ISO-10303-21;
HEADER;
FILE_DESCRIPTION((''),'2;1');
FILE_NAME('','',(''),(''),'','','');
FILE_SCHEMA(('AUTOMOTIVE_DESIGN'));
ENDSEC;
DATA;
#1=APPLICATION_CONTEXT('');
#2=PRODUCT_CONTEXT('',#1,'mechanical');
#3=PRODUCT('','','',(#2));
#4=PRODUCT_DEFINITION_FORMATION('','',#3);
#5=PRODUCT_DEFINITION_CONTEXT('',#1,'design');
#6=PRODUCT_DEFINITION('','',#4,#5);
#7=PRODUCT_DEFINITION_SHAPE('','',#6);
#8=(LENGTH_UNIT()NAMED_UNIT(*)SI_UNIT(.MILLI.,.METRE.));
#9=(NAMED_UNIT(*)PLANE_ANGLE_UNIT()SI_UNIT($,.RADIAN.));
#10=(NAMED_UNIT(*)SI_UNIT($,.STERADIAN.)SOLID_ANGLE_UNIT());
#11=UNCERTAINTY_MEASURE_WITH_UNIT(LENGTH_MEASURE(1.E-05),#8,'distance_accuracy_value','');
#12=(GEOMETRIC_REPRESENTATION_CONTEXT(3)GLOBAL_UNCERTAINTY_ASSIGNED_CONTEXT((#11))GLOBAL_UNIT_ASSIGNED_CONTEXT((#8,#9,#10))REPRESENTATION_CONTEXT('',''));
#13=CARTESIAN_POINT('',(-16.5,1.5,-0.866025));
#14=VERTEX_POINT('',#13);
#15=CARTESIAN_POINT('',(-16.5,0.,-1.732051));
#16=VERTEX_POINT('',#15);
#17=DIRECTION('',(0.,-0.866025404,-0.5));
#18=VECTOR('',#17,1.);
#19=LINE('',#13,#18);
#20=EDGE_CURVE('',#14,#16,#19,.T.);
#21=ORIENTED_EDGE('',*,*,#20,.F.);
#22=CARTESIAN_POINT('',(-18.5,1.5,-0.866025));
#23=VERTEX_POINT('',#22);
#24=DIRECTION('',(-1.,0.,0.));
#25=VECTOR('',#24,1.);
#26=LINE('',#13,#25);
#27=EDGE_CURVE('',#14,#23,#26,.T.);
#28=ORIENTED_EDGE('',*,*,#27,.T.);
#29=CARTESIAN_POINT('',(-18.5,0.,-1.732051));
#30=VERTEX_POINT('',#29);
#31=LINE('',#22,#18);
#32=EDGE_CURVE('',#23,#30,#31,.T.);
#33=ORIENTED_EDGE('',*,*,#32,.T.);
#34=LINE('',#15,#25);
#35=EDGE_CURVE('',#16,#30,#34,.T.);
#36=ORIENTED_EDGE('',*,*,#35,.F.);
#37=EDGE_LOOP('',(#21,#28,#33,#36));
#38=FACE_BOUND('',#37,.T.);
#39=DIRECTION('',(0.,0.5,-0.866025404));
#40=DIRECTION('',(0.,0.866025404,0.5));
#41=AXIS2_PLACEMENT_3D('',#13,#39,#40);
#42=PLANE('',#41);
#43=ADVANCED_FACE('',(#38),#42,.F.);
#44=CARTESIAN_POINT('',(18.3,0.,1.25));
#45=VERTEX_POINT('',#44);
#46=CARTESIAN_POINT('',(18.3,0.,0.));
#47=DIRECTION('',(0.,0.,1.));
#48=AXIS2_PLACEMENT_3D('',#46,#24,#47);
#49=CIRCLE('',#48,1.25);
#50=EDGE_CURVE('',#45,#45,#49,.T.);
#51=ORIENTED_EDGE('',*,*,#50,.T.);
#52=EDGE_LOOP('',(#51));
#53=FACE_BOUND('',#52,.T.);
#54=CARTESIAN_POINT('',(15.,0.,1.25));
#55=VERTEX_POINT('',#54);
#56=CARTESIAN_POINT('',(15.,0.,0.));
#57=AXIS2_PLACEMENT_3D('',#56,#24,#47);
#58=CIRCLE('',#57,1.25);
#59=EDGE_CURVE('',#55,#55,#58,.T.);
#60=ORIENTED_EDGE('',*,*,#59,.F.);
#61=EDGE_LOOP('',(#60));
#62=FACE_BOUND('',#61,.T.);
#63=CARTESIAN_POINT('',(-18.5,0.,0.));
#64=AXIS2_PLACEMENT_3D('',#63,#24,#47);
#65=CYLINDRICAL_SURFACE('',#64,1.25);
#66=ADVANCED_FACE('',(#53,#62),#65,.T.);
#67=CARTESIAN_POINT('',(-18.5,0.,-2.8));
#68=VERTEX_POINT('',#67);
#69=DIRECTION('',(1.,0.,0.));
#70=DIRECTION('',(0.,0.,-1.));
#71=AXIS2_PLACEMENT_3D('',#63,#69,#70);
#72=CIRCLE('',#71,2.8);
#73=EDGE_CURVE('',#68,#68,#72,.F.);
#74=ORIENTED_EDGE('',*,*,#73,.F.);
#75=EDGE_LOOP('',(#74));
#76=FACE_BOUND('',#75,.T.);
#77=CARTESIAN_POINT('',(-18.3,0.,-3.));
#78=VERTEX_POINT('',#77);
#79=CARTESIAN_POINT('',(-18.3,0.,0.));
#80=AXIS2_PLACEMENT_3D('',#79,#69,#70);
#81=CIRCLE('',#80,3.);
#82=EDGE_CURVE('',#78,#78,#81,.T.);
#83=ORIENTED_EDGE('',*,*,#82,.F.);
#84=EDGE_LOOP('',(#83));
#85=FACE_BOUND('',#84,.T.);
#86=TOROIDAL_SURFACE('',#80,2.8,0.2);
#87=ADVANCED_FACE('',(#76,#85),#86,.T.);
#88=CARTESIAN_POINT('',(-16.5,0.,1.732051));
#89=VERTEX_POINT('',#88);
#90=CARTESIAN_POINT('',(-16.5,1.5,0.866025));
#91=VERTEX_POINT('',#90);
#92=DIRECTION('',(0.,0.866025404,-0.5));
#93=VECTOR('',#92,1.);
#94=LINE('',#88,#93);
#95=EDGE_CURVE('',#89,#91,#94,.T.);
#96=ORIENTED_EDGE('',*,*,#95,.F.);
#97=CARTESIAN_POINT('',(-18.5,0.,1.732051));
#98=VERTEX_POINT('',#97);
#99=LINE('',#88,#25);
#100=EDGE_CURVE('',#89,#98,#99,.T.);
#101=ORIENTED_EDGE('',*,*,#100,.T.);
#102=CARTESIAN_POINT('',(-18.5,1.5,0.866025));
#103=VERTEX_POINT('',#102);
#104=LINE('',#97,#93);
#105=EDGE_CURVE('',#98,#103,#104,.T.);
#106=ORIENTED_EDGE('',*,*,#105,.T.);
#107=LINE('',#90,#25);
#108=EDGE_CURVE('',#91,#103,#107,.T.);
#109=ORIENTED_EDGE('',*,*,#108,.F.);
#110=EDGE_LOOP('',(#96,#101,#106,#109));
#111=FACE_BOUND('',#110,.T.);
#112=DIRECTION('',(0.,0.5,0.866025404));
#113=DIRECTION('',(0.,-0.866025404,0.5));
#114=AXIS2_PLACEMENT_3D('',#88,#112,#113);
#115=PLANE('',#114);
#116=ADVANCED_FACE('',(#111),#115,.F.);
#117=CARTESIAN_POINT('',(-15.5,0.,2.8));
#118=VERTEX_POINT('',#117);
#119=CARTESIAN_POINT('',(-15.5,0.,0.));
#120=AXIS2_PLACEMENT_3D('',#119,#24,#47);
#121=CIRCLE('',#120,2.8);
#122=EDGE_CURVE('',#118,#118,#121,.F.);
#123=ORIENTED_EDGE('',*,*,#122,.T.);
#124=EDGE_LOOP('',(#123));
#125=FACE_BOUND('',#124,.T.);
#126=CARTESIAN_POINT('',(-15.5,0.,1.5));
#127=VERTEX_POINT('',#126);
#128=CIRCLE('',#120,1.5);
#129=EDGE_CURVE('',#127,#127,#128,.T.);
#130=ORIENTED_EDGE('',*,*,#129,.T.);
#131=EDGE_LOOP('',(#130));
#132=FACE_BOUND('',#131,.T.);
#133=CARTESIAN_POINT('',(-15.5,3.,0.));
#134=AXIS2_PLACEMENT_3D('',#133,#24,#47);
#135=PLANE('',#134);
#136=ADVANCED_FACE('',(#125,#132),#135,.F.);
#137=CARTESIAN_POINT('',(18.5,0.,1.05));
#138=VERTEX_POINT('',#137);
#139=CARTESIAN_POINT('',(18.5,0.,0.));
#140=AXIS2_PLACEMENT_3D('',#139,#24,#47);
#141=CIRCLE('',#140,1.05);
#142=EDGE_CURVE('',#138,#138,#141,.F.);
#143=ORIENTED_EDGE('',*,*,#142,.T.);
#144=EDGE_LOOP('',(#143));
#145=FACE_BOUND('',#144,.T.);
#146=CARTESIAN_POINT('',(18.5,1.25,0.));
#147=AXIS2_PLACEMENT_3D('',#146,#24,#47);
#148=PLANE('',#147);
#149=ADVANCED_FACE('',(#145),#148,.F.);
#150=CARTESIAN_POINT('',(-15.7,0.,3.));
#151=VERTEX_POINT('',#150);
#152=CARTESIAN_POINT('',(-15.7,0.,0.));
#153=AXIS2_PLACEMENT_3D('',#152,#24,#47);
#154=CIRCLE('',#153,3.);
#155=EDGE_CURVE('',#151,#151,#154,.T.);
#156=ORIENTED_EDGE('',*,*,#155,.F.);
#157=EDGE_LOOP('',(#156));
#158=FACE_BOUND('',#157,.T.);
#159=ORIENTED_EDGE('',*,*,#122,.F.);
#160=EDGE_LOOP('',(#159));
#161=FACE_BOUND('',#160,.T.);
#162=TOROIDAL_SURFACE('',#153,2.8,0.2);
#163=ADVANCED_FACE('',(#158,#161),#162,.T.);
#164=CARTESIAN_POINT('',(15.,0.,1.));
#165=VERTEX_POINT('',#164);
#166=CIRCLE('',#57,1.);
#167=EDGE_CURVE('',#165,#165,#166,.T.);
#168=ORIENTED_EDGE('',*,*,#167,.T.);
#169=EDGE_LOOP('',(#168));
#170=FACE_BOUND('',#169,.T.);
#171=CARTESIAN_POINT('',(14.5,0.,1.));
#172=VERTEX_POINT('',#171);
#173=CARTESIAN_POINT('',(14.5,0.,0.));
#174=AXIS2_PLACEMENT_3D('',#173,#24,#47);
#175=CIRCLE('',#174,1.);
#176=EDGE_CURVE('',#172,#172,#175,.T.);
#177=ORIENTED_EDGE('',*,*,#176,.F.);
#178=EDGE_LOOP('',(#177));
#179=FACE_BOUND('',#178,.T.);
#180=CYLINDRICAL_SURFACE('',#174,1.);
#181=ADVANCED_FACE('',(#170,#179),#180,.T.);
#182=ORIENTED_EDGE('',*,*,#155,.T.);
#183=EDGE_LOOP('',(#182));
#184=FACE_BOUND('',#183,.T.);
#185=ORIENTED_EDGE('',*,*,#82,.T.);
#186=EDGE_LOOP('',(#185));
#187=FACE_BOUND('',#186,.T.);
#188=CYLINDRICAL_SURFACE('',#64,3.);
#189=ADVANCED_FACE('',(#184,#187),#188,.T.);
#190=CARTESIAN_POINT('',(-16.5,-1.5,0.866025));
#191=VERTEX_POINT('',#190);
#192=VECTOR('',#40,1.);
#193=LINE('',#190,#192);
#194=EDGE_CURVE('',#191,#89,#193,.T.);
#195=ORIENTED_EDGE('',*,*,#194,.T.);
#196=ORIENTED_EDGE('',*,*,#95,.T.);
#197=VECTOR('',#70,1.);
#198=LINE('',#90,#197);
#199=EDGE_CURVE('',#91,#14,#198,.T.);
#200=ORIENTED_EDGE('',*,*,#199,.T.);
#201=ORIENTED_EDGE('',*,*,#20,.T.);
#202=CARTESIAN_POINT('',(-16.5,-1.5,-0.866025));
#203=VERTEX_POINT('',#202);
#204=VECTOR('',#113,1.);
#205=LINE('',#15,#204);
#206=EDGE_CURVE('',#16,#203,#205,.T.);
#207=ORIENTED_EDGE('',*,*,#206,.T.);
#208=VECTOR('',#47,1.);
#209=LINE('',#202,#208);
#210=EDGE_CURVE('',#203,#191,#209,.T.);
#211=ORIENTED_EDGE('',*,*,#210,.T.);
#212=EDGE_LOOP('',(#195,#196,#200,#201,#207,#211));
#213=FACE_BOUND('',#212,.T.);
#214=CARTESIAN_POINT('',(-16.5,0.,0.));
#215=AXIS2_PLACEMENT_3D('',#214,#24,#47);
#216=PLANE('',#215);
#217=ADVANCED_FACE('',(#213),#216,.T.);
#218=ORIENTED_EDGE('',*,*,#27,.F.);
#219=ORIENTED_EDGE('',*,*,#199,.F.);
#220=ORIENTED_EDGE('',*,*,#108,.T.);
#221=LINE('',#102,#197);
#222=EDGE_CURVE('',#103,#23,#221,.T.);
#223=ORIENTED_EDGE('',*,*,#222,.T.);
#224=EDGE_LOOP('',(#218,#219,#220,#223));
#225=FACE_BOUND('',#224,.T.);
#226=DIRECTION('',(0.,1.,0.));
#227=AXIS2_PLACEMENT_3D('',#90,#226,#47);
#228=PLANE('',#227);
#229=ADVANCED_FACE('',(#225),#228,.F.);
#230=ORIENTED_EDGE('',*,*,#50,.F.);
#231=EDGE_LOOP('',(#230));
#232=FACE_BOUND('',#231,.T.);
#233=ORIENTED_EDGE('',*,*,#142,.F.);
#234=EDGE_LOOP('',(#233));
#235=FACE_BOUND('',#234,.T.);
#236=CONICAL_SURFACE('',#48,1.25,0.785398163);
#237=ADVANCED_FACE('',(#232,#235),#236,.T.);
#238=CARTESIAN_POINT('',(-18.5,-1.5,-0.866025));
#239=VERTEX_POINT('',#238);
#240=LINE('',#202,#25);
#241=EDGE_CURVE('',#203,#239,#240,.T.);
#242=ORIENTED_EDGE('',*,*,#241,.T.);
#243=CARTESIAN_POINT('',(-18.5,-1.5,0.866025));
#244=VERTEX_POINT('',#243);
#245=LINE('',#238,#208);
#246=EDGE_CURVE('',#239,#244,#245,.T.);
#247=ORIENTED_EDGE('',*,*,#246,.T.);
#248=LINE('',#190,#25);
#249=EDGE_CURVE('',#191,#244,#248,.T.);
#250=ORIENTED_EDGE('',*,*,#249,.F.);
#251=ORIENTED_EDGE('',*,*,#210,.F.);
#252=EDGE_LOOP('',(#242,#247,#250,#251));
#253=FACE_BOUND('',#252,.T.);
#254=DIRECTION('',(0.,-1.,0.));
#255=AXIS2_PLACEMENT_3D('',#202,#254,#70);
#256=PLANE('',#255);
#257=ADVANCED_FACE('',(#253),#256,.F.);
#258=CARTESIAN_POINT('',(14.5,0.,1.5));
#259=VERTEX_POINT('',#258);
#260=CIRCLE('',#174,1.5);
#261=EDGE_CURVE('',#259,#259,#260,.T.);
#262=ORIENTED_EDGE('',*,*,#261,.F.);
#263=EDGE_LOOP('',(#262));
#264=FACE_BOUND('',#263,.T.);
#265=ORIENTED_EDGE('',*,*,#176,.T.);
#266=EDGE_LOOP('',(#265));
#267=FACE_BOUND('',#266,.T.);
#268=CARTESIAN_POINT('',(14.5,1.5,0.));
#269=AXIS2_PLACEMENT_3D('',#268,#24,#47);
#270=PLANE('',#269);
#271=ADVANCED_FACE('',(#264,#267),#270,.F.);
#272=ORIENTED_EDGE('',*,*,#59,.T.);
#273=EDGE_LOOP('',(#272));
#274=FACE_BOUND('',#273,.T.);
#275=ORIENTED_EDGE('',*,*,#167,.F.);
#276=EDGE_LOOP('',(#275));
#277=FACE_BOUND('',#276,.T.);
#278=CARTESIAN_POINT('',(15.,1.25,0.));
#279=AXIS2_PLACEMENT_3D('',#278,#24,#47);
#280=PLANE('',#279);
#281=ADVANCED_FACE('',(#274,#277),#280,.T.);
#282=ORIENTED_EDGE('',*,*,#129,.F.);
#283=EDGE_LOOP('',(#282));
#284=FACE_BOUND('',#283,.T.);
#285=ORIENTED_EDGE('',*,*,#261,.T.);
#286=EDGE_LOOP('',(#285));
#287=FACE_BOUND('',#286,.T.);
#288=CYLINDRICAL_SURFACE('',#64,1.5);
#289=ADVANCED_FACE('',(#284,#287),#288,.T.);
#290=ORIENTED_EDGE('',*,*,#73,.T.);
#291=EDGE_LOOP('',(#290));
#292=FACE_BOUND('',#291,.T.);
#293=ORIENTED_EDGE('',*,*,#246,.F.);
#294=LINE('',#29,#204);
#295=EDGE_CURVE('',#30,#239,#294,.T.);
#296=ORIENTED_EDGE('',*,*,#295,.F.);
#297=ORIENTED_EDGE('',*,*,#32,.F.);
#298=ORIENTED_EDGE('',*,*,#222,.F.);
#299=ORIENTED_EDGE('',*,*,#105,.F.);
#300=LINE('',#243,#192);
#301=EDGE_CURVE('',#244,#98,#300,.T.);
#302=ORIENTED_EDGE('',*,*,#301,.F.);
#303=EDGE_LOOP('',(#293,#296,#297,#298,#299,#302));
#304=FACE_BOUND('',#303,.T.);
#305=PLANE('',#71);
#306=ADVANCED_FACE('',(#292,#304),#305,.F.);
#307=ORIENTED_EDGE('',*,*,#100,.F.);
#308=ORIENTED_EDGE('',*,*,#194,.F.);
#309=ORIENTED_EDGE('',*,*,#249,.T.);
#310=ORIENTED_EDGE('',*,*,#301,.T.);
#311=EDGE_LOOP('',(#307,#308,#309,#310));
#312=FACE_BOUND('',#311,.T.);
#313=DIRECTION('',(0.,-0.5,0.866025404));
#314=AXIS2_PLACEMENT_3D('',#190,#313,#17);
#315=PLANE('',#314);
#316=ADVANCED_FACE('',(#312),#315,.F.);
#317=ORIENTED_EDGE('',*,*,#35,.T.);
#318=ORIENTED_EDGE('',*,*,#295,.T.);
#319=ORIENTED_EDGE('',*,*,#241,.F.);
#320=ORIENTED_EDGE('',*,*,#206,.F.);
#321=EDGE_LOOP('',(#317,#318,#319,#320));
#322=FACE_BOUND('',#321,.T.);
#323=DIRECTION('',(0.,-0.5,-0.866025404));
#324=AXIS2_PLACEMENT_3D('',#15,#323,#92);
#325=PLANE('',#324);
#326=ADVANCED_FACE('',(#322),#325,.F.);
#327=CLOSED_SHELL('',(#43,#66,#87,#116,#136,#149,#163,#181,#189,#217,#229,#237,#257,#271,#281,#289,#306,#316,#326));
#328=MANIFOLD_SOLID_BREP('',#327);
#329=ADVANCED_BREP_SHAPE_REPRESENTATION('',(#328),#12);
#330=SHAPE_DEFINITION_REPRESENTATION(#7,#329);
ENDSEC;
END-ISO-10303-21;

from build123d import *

# Parameters (mm, degrees)
FILLET_1_R          = 0.2
CHAMFER_1_SIZE      = 0.2
SKETCH_3_W          = 0.5
SKETCH_3_H          = 0.25
CUT_EXTRUDE_1_DEPTH = 2


with BuildPart() as part:
    # 草图1 → 旋转1 (revolve)
    with BuildSketch(Plane.XY, mode=Mode.PRIVATE) as revolve_1_sk:
        Polygon((-18.5, 0), (-18.5, 3), (-15.5, 3), (-15.5, 1.5), (14.5, 1.5), (14.5, 1.25), (18.5, 1.25), (18.5, 0), align=None)
    revolve(revolve_1_sk.sketch.rotate(Axis((-18.5, 0, 0), (1, 0, 0)), 90), axis=Axis((-18.5, 0, 0), (1, 0, 0)))

    # 圆角1
    fillet_1_edges = [part.edges().sort_by_distance(p)[0] for p in [
        (-15.5, 0, -3),
        (-18.5, 0, -3),
    ]]
    fillet(fillet_1_edges, radius=FILLET_1_R)

    # 倒角1
    chamfer_1_edges = [part.edges().sort_by_distance(p)[0] for p in [
        (18.5, 0, -1.25),
    ]]
    chamfer(chamfer_1_edges, length=CHAMFER_1_SIZE)

    # 草图3 → 切除-旋转1 (revolve, cut)
    with BuildSketch(Plane.XY, mode=Mode.PRIVATE) as cut_revolve_1_sk:
        with Locations((14.75, 1.125)):
            Rectangle(SKETCH_3_W, SKETCH_3_H)
    revolve(cut_revolve_1_sk.sketch.rotate(Axis((14.5, 0, 0), (1, 0, 0)), 90), axis=Axis((14.5, 0, 0), (1, 0, 0)), mode=Mode.SUBTRACT)

    # 草图4 → 切除-拉伸1 (cut)
    with BuildSketch(Plane.ZY.offset(18.5)):
        Polygon((1.732050808, 0), (0.866025404, 1.5), (-0.866025404, 1.5), (-1.732050808, 0), (-0.866025404, -1.5), (0.866025404, -1.5), align=None)
    extrude(amount=-CUT_EXTRUDE_1_DEPTH, mode=Mode.SUBTRACT)


solid = part.part
